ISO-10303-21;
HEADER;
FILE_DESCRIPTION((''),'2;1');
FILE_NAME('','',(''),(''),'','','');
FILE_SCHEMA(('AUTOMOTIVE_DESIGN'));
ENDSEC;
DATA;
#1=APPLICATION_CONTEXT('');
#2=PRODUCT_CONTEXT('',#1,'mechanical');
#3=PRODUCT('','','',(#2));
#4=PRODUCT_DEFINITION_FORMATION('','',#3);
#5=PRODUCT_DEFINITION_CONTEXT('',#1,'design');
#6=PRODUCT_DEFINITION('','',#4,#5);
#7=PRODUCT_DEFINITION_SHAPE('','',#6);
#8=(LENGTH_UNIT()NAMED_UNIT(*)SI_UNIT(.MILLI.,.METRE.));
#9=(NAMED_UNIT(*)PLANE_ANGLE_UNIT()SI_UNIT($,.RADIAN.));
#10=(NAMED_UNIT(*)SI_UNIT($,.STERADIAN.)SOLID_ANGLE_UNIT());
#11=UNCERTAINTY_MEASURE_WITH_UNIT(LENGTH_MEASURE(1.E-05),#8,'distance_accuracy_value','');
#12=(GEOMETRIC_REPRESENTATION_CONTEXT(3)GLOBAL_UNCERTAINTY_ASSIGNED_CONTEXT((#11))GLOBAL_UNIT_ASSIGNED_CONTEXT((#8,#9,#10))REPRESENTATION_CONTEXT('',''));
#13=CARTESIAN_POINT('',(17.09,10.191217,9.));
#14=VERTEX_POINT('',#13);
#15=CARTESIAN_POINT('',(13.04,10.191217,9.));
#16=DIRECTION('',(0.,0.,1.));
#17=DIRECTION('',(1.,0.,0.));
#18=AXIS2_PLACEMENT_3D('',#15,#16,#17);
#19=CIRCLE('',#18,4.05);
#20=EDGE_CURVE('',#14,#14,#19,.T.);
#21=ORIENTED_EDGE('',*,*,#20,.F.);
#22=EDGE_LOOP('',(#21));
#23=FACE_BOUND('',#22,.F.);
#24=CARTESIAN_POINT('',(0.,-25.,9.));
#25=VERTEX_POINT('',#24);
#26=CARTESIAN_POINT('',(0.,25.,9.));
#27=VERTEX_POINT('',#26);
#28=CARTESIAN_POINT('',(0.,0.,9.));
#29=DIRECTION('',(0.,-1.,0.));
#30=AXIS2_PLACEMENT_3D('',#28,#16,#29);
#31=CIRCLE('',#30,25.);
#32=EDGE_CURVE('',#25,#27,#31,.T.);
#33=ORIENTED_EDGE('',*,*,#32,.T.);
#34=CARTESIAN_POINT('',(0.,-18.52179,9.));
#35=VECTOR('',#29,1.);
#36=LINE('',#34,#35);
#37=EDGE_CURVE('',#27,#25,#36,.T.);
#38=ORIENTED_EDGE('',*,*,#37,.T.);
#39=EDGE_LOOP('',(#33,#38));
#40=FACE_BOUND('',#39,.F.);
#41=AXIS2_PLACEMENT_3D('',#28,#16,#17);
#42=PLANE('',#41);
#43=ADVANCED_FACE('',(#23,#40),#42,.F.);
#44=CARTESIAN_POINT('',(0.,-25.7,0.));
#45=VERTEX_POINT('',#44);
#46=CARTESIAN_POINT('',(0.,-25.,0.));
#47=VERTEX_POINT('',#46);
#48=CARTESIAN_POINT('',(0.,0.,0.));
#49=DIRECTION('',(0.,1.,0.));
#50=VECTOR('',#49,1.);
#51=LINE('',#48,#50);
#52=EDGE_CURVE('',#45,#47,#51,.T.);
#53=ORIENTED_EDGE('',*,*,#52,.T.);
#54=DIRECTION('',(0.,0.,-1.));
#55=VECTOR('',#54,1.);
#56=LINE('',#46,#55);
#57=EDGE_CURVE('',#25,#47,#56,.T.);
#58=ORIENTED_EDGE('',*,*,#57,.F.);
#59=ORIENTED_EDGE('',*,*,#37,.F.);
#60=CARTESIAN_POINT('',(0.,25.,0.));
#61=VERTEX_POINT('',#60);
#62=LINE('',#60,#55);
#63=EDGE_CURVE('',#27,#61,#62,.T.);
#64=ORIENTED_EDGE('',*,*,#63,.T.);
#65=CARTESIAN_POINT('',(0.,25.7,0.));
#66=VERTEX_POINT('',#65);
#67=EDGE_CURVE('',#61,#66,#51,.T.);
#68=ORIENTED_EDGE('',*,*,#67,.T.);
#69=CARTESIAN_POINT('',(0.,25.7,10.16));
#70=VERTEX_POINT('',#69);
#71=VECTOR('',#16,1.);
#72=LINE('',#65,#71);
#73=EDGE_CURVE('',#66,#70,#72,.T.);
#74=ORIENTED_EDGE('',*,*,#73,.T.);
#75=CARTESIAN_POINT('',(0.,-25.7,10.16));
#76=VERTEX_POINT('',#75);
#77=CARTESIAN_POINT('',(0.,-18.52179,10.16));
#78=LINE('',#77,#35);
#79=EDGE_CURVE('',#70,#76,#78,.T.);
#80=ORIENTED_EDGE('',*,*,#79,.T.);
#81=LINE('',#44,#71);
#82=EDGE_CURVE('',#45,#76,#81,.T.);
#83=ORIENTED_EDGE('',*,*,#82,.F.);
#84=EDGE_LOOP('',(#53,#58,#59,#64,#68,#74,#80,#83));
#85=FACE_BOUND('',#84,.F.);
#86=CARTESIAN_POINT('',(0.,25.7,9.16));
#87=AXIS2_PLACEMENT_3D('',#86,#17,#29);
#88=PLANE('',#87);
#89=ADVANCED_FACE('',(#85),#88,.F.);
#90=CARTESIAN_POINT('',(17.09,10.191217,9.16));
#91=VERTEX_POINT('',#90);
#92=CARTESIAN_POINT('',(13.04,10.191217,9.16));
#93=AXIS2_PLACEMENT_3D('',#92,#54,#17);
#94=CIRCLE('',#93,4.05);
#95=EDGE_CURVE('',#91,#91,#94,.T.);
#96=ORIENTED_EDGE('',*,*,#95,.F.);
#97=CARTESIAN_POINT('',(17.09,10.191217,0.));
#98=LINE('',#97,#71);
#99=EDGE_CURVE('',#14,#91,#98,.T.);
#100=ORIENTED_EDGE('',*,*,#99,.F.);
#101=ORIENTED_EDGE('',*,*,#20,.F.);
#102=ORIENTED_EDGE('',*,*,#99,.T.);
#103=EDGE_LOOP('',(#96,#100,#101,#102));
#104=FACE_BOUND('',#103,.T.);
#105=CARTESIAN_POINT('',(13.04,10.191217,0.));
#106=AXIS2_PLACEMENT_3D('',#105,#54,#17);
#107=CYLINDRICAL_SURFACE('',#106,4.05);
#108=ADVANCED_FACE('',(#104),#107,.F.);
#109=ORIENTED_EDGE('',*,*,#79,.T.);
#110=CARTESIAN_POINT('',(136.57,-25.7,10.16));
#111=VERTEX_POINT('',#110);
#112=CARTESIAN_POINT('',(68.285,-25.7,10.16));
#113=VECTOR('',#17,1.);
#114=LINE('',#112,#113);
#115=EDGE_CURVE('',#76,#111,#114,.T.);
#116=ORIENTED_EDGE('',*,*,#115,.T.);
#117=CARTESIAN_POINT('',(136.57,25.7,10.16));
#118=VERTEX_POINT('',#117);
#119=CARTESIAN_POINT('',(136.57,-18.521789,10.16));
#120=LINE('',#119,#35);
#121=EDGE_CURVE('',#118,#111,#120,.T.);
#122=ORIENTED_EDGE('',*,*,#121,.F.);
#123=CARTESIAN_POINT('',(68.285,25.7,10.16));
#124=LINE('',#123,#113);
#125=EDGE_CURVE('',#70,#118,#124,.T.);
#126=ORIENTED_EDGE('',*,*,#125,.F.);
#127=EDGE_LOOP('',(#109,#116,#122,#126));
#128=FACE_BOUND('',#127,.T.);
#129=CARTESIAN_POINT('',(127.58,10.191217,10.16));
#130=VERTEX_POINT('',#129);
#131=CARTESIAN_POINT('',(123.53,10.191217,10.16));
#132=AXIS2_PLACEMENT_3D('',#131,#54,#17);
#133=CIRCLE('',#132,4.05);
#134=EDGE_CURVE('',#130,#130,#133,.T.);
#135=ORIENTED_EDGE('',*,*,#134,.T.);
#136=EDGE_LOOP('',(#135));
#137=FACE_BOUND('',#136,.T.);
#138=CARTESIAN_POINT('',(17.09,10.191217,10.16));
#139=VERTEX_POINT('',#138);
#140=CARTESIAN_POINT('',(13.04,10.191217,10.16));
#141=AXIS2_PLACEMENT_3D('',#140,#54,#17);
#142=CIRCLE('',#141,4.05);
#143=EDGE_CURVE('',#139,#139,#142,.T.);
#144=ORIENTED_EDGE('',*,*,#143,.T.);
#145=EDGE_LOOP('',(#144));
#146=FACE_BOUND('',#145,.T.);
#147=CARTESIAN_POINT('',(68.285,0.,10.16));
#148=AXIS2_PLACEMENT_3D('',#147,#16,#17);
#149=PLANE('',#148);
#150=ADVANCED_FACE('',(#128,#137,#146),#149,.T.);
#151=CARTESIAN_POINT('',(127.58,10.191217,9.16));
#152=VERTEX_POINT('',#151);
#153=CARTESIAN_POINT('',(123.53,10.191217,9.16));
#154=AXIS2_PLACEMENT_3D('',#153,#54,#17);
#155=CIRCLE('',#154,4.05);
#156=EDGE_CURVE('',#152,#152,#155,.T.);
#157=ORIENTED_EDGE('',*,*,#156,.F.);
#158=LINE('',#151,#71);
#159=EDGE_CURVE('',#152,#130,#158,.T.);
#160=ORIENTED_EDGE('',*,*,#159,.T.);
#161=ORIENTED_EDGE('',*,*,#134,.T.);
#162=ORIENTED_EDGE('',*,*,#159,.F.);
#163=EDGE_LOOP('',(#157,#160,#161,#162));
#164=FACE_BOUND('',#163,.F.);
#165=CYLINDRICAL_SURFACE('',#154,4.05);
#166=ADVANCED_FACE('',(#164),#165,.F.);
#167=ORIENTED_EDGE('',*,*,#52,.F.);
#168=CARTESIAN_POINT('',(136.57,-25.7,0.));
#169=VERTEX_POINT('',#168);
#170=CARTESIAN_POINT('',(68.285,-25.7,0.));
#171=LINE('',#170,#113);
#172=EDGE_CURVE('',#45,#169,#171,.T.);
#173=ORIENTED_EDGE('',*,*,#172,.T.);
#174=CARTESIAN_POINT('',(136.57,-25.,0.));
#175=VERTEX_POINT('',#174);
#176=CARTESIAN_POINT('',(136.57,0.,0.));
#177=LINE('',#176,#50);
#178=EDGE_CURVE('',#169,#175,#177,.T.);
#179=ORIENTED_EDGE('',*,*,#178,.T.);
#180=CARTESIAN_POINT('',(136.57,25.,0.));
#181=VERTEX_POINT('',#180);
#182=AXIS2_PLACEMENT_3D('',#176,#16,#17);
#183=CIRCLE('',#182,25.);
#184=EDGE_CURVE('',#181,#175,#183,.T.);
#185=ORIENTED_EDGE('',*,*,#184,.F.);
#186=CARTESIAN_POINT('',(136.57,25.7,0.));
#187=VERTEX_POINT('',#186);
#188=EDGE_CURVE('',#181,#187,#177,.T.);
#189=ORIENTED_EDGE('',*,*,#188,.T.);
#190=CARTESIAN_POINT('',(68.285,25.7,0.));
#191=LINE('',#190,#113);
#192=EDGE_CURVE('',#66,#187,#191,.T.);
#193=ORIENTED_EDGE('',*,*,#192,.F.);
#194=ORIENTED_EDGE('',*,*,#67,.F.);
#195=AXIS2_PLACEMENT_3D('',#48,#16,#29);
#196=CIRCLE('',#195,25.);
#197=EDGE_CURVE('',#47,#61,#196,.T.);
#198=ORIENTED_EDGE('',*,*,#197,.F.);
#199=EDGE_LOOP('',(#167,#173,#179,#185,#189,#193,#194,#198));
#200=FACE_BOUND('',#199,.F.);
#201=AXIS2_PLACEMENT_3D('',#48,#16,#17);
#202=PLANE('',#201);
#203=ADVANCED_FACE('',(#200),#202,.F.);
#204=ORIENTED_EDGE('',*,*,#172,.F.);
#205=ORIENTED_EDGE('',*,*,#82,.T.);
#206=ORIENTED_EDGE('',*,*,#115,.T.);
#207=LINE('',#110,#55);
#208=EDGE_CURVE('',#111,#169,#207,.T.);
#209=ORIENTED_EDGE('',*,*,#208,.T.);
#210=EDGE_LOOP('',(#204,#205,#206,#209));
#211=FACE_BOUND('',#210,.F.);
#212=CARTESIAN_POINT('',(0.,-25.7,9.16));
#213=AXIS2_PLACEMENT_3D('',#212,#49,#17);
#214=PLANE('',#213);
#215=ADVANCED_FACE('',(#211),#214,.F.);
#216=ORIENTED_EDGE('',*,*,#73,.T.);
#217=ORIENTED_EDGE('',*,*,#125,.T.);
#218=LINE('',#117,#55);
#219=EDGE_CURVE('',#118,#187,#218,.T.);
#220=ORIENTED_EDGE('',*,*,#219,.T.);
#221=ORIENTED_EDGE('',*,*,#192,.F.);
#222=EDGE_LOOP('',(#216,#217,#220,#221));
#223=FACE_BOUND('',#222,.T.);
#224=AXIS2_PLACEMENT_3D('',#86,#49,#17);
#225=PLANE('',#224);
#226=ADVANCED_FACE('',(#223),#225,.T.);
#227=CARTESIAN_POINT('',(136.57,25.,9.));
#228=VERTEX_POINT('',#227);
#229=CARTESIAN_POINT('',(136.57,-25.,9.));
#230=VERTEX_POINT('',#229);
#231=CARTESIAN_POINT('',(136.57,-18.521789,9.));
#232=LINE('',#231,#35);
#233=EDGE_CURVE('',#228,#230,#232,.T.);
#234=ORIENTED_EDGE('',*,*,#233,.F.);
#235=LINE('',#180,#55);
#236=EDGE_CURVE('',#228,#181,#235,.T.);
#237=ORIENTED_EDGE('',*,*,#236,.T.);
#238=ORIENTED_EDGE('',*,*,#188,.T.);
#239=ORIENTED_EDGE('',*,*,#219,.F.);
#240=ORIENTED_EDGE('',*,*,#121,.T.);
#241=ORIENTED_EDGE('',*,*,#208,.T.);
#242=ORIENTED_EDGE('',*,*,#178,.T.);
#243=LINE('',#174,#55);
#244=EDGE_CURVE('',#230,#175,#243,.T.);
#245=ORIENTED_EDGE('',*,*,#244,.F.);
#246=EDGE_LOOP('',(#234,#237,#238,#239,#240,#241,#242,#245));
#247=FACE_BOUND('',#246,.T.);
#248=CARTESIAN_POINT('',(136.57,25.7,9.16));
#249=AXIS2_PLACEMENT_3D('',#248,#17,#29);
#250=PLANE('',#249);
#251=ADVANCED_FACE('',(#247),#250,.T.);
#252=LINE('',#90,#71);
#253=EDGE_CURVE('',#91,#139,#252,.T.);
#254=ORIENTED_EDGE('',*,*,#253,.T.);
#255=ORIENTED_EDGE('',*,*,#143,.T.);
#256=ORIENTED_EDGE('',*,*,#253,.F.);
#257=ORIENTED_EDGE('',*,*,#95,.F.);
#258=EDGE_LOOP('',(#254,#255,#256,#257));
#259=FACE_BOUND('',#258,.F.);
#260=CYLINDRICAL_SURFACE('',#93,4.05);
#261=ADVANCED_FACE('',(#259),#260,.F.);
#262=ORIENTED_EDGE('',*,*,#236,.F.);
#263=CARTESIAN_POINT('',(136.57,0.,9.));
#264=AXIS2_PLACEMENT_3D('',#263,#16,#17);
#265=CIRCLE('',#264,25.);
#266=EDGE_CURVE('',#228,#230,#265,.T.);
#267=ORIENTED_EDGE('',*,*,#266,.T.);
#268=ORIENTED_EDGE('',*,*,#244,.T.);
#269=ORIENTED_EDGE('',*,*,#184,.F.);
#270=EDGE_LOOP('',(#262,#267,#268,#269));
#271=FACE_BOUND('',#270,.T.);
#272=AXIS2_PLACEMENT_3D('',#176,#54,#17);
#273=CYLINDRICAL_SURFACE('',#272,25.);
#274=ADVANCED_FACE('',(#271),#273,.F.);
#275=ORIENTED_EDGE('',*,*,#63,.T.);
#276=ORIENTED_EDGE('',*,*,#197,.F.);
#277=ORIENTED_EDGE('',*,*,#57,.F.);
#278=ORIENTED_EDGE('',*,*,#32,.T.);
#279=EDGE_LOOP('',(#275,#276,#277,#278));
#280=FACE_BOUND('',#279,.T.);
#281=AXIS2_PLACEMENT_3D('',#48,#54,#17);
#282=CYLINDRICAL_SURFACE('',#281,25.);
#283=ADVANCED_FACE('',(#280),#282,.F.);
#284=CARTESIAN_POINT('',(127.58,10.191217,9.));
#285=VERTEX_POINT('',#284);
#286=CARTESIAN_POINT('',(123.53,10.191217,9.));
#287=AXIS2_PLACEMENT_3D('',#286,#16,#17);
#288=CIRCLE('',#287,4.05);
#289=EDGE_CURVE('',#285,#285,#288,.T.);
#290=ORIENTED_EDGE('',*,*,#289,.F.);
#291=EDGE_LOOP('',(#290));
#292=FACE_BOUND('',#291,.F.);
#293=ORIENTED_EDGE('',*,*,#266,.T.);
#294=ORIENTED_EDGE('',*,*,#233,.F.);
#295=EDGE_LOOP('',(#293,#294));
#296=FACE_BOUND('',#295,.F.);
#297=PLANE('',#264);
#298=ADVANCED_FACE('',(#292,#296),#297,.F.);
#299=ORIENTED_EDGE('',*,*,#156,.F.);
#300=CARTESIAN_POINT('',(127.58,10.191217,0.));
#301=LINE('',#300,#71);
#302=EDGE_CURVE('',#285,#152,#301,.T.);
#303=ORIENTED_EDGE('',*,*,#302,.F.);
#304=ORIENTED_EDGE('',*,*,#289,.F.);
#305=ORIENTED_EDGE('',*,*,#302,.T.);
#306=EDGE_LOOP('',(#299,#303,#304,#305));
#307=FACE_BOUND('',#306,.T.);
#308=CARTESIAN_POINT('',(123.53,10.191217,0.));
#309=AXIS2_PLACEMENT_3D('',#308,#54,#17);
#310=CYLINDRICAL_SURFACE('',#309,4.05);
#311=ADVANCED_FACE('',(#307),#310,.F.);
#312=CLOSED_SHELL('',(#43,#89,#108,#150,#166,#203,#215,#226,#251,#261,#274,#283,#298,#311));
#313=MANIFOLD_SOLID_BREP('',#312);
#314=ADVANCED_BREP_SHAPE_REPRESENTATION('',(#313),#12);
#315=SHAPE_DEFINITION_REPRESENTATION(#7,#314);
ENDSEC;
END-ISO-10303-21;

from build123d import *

# Parameters (mm, degrees)
F0_R     = 25.7
F0_R_2   = 25
F0_R_3   = 4.05
F1_DEPTH = 9.16
F3_W     = 136.57
F3_H     = 51.4
F4_DEPTH = 9.16
F2_R     = 25
F2_R_2   = 4.05
F5_DEPTH = 9
F6_DEPTH = 25
F7_W     = 25.7
F7_H     = 74.087158006
F7_H_2   = 74.0871579793
F8_DEPTH = 25
F9_DEPTH = 1


with BuildPart() as f1:
    # F0 (on Top) → F1 (new body)
    with BuildSketch(Plane.XY):
        Circle(F0_R)
        Circle(F0_R_2, mode=Mode.SUBTRACT)
        Circle(F0_R_2)
        with Locations((13.04, 10.1912168066)):
            Circle(F0_R_3, mode=Mode.SUBTRACT)
    extrude(amount=F1_DEPTH)



with BuildPart() as f1b:
    # F0 (on Top) → F1, piece 2 (new body)
    with BuildSketch(Plane.XY):
        with Locations((136.57, 0)):
            Circle(F0_R)
        with Locations((136.57, 0)):
            Circle(F0_R_2, mode=Mode.SUBTRACT)
        with Locations((136.57, 0)):
            Circle(F0_R_2)
        with Locations((123.53, 10.1912168066)):
            Circle(F0_R_3, mode=Mode.SUBTRACT)
    extrude(amount=F1_DEPTH)


with BuildPart() as f1_1:
    add(f1.part)

    add(f1b.part)  # F4 merges F1b
    # F3 (on Top) → F4 (join)
    with BuildSketch(Plane.XY):
        with Locations((68.285, 0)):
            Rectangle(F3_W, F3_H)
    extrude(amount=F4_DEPTH)

    # F2 (on Top) → F5 (cut)
    with BuildSketch(Plane.XY):
        Circle(F2_R)
        with Locations((13.04, 10.1912168066)):
            Circle(F2_R_2, mode=Mode.SUBTRACT)
        with Locations((136.57, 0)):
            Circle(F2_R)
        with Locations((123.53, 10.1912168066)):
            Circle(F2_R_2, mode=Mode.SUBTRACT)
    extrude(amount=F5_DEPTH, mode=Mode.SUBTRACT)

    # F6 (cut): faces of the model
    f6_faces = [f1_1.faces().sort_by_distance(p)[0] for p in [
        (123.53, 10.1912168066, 0),
        (13.04, 10.1912168066, 0),
    ]]
    extrude(f6_faces, amount=-F6_DEPTH, mode=Mode.SUBTRACT)

    # F7 (on Top) → F8 (cut)
    with BuildSketch(Plane.XY):
        with Locations((-12.85, -2.68e-08)):
            Rectangle(F7_W, F7_H)
        with Locations((149.42, 1.34e-08)):
            Rectangle(F7_W, F7_H_2)
    extrude(amount=F8_DEPTH, mode=Mode.SUBTRACT)

    # F9 (add): a face of the model
    f9_faces = [f1_1.faces().sort_by_distance(p)[0] for p in [
        (68.285, -0.1518521362, 9.16),
    ]]
    extrude(f9_faces, amount=F9_DEPTH)


solid = f1_1.part
